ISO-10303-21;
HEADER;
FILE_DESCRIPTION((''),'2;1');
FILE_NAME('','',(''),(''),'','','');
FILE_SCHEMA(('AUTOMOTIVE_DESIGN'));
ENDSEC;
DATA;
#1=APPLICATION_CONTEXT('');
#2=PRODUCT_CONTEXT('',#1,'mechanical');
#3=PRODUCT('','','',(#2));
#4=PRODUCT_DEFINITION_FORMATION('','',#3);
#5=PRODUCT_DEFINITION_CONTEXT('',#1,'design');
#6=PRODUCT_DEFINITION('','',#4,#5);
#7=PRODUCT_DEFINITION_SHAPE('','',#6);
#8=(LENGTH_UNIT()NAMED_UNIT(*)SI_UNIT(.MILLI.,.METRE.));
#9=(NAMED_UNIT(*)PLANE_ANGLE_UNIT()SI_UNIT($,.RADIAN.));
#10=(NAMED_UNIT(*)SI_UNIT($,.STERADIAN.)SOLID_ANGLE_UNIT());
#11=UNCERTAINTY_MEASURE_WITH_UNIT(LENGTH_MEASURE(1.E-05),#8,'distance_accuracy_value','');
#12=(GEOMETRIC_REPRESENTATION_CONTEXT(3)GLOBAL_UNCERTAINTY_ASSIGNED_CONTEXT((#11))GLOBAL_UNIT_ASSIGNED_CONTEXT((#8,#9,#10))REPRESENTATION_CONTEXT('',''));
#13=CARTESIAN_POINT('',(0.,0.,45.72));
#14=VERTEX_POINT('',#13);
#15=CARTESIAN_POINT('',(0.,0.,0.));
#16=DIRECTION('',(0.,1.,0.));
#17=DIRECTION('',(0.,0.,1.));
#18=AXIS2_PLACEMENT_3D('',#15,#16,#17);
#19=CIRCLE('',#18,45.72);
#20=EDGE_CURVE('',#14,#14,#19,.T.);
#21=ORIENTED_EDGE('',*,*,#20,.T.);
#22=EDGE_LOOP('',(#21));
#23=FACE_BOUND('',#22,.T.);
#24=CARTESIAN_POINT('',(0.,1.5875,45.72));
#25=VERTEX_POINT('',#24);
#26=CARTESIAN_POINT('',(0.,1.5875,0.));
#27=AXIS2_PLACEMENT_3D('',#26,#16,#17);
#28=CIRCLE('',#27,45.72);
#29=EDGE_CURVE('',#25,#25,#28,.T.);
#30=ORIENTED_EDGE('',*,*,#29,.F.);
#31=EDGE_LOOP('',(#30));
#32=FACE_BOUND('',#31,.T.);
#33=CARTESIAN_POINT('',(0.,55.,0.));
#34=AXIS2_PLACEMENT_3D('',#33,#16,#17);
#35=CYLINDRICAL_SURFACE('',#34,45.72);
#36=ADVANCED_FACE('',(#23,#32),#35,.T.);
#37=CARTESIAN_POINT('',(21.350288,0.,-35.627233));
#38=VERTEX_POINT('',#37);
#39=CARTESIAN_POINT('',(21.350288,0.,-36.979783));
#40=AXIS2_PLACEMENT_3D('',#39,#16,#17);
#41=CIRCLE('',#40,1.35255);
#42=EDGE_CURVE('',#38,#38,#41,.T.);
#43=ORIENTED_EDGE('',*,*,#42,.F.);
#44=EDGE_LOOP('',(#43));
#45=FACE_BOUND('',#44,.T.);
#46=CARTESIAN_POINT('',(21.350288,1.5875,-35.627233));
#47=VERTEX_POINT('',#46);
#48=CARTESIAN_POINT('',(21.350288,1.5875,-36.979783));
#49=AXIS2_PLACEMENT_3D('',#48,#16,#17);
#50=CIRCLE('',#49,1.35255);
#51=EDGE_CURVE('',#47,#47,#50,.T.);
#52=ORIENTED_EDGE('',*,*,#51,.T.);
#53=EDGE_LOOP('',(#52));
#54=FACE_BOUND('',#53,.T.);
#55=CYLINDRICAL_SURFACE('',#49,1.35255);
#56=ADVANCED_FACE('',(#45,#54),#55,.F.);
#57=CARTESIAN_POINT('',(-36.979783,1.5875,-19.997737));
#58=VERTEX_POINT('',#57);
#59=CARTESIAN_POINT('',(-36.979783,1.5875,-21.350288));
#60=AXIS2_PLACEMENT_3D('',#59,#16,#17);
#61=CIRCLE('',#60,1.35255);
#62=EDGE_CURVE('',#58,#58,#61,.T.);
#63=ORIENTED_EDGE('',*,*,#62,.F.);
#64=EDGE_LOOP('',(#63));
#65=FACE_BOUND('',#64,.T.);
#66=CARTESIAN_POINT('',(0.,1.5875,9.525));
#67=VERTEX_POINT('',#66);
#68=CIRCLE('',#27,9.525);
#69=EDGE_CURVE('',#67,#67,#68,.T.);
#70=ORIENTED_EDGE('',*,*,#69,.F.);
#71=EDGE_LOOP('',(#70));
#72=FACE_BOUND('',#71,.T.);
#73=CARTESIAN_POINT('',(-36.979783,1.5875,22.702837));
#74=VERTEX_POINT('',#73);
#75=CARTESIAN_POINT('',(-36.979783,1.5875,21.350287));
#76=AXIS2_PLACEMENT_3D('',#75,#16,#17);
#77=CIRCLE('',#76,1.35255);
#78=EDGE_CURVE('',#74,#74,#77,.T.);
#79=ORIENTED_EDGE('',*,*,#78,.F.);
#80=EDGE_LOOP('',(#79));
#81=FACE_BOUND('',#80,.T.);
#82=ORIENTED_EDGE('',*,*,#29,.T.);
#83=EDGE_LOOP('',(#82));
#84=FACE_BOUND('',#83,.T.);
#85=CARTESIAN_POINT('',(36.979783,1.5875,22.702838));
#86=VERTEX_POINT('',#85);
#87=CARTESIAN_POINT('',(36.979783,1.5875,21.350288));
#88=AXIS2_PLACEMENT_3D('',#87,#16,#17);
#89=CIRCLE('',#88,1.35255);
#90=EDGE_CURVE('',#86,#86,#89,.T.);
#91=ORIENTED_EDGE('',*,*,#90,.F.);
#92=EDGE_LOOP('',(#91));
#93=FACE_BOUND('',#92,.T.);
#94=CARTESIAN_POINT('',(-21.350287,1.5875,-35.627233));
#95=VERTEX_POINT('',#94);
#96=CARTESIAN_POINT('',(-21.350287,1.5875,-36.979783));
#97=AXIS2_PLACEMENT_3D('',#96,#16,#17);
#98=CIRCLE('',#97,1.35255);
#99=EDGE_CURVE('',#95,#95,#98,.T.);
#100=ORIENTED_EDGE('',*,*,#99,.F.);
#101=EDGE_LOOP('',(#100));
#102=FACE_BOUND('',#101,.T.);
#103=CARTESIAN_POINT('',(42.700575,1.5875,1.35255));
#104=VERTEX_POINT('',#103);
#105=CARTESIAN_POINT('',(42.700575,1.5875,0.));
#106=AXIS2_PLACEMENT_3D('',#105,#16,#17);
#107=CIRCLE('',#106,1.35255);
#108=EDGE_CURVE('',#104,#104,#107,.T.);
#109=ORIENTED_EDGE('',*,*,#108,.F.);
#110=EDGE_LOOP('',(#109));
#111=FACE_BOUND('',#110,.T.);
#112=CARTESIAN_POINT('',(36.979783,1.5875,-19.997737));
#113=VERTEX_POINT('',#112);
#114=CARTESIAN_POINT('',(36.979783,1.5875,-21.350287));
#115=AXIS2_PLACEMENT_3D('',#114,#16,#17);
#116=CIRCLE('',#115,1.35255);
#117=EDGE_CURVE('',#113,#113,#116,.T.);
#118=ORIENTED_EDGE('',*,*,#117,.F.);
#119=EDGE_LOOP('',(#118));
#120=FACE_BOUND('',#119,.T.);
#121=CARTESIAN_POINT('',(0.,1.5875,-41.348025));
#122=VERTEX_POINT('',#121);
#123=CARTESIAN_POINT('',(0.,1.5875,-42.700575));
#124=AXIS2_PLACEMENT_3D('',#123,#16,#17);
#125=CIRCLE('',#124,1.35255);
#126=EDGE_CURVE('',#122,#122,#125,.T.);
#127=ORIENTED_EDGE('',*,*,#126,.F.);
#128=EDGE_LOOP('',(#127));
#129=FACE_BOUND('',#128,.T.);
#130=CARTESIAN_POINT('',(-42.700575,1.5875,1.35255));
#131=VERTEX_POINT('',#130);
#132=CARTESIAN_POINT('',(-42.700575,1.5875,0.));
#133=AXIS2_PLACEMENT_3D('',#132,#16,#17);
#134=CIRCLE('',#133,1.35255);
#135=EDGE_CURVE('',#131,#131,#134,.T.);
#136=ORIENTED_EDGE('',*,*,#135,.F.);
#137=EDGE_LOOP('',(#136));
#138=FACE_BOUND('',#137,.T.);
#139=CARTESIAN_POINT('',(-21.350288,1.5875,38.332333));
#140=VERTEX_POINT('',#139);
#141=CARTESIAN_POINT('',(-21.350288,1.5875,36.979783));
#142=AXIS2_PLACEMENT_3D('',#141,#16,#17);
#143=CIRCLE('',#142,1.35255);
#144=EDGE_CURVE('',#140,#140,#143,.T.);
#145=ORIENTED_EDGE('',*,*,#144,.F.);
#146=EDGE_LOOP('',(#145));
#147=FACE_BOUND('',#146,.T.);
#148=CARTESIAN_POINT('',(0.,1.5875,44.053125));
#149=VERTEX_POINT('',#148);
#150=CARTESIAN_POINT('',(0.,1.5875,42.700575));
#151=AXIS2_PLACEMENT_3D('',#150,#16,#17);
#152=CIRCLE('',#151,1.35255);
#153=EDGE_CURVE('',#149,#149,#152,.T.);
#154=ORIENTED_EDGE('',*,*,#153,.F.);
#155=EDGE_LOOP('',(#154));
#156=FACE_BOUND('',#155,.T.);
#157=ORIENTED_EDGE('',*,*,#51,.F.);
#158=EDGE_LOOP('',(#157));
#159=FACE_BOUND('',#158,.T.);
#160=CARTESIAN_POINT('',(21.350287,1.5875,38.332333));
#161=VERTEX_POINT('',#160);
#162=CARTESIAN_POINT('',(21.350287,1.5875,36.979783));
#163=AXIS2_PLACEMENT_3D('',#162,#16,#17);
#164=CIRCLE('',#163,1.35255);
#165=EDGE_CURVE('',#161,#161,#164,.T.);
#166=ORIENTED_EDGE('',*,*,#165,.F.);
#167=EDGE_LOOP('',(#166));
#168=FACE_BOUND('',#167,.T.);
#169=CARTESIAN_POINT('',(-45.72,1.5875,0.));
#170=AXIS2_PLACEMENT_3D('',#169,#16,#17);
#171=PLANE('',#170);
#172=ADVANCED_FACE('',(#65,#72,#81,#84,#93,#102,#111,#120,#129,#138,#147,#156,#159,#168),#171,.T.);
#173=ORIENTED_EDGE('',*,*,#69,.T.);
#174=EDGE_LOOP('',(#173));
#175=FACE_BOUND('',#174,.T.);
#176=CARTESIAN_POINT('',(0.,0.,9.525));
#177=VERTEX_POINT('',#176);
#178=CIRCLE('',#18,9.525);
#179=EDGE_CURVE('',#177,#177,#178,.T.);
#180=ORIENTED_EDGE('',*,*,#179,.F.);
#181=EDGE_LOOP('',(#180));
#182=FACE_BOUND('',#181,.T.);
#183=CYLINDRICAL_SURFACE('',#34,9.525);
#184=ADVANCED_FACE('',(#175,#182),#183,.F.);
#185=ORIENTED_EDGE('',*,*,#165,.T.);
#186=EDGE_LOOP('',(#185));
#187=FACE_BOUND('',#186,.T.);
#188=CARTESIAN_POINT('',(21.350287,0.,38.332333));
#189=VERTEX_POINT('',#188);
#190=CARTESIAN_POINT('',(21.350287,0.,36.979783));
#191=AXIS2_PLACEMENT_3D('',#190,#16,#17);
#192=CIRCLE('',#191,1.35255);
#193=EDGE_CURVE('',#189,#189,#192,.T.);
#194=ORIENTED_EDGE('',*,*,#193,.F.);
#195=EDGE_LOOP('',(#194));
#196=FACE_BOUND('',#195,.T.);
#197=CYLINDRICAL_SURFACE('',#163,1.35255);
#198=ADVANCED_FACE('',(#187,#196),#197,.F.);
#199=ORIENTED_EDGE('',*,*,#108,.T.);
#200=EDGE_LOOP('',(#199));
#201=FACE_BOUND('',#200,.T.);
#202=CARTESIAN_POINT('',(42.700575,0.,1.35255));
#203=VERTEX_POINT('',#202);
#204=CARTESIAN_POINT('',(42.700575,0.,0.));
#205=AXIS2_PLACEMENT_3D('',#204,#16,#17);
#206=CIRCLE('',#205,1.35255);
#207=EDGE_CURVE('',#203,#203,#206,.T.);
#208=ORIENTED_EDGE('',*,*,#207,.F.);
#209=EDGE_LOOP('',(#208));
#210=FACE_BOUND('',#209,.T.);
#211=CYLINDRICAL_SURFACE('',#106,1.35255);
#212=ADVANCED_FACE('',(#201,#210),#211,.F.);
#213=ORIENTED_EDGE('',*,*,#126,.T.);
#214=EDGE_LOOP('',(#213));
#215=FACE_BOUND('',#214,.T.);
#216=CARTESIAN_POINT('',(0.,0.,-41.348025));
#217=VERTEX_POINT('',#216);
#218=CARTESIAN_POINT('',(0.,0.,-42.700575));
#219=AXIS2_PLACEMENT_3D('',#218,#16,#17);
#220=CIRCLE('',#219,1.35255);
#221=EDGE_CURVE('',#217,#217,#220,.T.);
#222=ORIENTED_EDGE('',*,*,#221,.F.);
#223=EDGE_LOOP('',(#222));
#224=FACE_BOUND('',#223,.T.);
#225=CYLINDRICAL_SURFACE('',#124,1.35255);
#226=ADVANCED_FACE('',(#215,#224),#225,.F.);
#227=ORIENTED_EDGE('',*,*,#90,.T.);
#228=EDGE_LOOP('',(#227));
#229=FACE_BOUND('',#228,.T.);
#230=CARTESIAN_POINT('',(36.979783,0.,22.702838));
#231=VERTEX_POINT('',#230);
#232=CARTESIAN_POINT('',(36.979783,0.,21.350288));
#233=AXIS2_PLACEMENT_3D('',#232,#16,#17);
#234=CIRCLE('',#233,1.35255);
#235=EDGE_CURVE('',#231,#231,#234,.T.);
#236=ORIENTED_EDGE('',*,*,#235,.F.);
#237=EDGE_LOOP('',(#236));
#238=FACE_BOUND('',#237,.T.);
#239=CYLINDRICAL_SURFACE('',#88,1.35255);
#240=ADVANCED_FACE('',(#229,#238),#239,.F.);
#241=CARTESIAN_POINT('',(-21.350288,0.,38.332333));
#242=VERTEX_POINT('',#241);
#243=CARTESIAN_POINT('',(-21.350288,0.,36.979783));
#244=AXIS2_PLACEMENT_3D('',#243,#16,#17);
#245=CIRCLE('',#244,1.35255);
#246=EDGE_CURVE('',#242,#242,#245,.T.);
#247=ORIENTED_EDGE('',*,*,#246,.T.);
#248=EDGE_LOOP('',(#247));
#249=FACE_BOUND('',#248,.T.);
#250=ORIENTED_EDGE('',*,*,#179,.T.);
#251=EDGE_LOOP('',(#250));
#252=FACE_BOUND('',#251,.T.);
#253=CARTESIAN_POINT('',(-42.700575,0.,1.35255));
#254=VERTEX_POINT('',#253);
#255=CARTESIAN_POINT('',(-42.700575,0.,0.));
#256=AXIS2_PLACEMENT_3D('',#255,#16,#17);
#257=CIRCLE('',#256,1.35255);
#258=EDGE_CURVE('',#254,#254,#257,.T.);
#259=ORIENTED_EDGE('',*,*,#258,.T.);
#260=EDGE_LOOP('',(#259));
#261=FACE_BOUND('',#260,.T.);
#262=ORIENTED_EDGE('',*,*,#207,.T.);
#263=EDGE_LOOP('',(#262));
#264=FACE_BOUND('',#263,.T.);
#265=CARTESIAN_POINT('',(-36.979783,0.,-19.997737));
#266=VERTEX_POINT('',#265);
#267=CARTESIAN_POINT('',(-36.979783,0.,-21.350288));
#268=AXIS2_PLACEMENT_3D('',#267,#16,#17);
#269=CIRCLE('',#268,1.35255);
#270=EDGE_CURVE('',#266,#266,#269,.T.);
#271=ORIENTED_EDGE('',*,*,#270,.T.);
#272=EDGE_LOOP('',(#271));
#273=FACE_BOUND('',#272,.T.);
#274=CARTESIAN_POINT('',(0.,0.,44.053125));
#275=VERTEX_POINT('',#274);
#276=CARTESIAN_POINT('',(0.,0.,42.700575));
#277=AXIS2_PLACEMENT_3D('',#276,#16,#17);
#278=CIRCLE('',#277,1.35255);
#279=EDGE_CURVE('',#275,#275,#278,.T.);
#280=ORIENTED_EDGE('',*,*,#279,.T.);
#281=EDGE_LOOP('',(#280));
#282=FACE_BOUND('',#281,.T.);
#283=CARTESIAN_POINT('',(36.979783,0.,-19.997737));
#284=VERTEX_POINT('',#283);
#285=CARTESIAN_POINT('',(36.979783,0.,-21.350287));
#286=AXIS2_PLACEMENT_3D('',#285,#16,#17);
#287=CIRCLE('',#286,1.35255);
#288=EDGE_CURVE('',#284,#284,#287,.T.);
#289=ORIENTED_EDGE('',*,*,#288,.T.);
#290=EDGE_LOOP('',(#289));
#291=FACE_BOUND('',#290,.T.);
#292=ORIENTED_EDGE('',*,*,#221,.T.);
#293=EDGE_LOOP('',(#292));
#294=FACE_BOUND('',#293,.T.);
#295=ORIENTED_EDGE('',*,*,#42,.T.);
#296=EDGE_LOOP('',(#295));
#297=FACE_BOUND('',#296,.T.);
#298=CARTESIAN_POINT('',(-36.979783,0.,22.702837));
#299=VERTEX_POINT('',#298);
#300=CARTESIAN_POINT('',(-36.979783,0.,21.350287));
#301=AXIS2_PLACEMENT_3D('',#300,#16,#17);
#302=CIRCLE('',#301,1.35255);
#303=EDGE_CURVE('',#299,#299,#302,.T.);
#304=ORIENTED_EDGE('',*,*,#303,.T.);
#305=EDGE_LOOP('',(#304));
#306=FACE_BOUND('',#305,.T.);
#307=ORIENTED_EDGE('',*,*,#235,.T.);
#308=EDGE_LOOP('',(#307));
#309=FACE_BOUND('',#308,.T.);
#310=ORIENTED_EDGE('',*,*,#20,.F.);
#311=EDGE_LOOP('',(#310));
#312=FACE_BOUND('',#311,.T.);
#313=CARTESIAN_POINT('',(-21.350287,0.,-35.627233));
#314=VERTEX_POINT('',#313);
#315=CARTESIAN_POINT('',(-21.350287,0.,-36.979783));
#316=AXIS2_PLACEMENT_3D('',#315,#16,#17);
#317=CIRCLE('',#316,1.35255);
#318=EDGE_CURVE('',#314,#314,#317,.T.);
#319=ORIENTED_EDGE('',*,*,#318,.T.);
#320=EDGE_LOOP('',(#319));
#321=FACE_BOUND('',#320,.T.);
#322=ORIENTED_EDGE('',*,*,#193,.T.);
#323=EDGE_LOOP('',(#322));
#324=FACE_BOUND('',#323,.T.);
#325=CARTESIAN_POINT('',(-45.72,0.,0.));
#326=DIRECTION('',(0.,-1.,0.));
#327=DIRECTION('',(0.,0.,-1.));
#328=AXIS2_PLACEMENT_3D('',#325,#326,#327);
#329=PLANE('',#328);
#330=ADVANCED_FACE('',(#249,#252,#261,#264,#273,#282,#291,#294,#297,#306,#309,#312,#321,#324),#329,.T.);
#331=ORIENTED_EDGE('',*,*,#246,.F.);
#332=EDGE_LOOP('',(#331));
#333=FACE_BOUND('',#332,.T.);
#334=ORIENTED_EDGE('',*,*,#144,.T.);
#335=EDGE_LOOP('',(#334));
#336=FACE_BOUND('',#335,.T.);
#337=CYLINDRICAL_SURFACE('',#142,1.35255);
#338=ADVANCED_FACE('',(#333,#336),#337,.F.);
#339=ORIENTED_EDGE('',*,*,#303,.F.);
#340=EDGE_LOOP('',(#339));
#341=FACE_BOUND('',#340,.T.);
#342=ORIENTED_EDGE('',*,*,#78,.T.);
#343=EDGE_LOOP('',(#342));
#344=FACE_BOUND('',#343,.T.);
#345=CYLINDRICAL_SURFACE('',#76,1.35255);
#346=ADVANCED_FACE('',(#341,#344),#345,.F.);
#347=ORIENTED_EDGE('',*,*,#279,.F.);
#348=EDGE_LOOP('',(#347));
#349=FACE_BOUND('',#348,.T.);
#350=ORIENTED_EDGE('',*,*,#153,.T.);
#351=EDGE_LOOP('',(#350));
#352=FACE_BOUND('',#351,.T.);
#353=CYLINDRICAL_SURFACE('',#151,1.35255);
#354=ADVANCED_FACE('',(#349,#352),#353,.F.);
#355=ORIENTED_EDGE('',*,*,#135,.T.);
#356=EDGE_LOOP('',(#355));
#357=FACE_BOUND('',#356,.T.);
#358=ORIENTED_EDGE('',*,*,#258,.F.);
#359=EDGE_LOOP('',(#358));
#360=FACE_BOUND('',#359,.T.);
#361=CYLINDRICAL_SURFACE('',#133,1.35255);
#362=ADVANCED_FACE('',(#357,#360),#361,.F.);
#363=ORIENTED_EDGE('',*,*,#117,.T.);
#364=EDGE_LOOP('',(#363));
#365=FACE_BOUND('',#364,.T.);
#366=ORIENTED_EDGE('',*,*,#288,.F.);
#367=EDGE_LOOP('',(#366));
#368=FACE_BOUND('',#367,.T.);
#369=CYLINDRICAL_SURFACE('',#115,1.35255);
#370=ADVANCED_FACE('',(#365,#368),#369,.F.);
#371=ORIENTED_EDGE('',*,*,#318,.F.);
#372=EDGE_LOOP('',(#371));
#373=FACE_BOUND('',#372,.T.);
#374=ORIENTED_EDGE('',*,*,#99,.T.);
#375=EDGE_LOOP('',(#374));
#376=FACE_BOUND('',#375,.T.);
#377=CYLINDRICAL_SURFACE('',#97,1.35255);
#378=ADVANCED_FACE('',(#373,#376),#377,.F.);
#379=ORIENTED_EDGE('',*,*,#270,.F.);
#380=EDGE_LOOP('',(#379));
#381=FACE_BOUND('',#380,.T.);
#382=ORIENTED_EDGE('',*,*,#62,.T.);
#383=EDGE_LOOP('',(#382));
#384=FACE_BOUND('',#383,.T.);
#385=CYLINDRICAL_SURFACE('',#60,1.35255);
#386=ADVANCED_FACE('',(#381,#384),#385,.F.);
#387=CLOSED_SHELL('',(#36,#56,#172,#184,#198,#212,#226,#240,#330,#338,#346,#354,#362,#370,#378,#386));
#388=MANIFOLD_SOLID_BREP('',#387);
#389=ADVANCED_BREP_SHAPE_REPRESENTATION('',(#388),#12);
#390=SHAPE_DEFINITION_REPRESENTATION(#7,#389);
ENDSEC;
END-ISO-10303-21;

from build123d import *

# Parameters (mm, degrees)
SKETCH1_W                    = 36.195
SKETCH1_H                    = 1.5875
F_36_0_1065_DIAMETER_HOLE1_D = 2.7051
CIRPATTERN1_COUNT            = 12


with BuildPart() as part:
    # Sketch1 → Revolve1 (revolve)
    with BuildSketch(Plane.XY):
        with Locations((-27.6225, 0.79375)):
            Rectangle(SKETCH1_W, SKETCH1_H)
    revolve(axis=Axis((0, 55, 0), (0, -1, 0)))

    # #36 (0.1065) Diameter Hole1 (through all)
    with Locations(Plane(origin=(0, 1.5875, 0), x_dir=(1, 0, 0), z_dir=(0, 1, 0))):
        with Locations((-42.700575, 0)):
            f_36_0_1065_diameter_hole1 = Hole(F_36_0_1065_DIAMETER_HOLE1_D / 2)

    # CirPattern1: #36 (0.1065) Diameter Hole1 ×12 about axis
    cirpattern1_axis = Axis((0, 0, 0), (0, 1, 0))
    for i in range(1, CIRPATTERN1_COUNT):
        add(f_36_0_1065_diameter_hole1.rotate(cirpattern1_axis, i * 360 / CIRPATTERN1_COUNT), mode=Mode.SUBTRACT)


solid = part.part
